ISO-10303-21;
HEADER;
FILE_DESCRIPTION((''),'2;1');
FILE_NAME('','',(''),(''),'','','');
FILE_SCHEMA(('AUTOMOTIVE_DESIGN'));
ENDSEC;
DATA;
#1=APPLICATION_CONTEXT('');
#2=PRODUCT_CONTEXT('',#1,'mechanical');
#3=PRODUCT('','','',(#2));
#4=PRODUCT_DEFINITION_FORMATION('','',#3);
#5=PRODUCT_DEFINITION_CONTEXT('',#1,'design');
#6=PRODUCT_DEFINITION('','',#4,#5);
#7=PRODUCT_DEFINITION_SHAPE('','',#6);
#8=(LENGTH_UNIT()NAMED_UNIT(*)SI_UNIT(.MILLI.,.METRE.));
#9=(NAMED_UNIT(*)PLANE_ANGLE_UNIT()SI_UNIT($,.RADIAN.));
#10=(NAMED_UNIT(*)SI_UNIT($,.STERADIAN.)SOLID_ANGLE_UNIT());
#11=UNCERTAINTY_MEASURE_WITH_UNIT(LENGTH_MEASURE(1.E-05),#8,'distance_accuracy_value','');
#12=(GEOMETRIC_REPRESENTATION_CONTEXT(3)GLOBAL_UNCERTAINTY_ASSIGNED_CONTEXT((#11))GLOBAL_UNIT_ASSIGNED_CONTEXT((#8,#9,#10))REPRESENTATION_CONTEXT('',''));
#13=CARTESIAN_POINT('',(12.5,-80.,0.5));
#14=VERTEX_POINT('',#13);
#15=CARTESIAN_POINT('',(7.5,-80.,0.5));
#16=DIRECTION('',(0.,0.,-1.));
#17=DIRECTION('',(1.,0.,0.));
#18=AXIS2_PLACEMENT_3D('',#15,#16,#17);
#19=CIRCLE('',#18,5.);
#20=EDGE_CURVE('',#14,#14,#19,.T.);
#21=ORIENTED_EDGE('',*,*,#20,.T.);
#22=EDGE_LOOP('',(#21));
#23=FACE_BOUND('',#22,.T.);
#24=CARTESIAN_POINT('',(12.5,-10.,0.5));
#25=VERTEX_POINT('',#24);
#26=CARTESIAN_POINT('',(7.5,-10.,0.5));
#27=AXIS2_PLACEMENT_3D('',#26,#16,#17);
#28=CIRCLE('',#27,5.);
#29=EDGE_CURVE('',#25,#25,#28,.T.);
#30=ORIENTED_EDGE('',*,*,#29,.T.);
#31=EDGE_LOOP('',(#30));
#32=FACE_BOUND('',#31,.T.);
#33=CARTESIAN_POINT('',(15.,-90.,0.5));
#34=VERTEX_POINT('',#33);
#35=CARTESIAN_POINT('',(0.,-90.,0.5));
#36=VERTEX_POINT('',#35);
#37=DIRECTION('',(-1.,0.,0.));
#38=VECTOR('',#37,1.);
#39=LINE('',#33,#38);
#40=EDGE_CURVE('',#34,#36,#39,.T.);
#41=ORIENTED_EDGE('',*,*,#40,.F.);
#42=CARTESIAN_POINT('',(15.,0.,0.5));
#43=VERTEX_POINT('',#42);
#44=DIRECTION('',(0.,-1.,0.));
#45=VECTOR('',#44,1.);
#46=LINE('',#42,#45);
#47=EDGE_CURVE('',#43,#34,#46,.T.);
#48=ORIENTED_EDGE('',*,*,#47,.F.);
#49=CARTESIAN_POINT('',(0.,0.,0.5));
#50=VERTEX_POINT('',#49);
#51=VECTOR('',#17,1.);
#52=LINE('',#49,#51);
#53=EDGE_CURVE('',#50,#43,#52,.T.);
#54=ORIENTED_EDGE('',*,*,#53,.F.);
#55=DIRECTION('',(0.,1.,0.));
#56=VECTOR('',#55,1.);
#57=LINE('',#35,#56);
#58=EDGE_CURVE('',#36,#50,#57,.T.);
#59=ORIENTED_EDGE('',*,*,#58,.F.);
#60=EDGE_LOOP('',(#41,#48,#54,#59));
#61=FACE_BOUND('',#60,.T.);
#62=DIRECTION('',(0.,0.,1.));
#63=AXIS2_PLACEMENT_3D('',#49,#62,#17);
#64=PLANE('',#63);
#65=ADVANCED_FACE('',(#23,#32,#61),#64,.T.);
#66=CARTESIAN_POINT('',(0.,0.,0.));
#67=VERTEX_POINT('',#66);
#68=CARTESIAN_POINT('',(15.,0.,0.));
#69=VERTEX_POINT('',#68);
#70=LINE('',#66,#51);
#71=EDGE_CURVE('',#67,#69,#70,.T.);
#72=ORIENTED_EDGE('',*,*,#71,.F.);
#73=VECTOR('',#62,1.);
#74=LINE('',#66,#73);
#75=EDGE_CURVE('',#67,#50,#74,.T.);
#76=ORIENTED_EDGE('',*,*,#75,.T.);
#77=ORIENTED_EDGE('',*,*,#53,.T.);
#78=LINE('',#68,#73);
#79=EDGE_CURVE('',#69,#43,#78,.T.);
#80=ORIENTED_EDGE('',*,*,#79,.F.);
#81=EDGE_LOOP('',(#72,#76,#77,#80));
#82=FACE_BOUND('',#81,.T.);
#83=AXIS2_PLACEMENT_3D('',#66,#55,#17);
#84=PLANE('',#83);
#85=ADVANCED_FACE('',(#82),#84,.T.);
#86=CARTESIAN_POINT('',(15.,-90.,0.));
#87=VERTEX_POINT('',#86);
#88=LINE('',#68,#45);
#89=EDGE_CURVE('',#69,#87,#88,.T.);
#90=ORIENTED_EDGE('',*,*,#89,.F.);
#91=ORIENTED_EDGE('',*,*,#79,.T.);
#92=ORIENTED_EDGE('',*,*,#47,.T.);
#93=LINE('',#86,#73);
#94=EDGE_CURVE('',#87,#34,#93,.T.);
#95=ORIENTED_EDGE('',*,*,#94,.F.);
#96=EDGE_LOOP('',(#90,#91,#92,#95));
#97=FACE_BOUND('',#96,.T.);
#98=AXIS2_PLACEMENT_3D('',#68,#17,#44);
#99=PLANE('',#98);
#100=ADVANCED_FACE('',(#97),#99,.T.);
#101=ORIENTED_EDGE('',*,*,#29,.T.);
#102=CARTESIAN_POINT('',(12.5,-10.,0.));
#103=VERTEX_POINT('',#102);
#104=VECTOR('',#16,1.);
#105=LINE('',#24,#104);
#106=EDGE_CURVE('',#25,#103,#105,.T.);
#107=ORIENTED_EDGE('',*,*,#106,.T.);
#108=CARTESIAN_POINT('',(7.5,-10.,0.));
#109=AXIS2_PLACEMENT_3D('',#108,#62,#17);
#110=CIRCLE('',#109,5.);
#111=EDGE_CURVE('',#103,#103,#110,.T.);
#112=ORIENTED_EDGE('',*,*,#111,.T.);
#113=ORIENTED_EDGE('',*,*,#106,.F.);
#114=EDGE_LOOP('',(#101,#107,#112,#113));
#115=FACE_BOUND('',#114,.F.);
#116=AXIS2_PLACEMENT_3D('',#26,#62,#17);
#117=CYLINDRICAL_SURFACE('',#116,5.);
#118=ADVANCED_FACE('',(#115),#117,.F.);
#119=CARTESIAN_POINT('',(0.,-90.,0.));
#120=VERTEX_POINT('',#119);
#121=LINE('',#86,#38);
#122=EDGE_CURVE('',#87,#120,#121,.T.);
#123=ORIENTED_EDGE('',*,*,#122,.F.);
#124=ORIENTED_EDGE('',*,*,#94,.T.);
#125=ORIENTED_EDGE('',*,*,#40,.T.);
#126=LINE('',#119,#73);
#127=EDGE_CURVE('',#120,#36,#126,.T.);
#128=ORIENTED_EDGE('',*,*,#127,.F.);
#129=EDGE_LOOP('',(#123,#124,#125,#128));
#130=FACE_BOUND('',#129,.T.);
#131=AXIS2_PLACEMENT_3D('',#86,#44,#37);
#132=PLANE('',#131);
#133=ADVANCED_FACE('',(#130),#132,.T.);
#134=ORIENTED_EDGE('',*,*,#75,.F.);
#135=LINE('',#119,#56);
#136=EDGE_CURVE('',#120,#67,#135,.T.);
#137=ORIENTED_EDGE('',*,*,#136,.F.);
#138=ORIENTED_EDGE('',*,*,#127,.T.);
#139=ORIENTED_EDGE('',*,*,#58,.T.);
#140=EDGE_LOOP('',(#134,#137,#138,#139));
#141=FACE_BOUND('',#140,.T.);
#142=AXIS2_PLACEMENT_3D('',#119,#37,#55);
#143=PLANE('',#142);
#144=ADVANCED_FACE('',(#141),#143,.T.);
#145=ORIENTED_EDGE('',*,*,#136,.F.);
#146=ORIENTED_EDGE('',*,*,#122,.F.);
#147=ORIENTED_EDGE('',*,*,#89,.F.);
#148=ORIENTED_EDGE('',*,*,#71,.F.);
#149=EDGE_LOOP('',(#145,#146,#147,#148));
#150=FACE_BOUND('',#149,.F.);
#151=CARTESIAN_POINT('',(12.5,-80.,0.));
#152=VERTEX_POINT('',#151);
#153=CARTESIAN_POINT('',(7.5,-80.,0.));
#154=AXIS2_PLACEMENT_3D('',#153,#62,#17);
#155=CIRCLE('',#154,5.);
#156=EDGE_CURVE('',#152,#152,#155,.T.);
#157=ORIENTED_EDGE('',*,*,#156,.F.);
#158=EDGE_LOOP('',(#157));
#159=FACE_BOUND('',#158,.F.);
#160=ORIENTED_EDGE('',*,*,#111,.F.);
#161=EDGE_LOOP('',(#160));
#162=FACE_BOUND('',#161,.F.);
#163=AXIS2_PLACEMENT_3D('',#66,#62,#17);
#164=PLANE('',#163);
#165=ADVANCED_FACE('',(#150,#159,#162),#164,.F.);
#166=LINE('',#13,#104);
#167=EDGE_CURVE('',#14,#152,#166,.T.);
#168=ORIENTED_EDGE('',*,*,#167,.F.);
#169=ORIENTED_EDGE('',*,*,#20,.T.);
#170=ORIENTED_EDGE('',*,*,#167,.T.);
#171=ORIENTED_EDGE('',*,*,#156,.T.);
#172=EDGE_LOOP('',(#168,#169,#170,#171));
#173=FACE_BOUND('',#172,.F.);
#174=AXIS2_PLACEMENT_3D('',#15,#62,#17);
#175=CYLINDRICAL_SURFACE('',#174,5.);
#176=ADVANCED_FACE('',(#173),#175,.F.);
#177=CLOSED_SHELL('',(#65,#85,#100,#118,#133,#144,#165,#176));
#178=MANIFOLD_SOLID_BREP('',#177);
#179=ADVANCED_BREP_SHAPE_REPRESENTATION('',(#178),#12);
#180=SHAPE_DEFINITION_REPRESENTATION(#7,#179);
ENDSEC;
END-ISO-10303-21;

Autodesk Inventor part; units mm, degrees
ref_plane "YZ Plane" through (0, 0, 0) normal (1, 0, 0) x (0, 1, 0)
ref_plane "XZ Plane" through (0, 0, 0) normal (0, 1, 0) x (-1, 0, 0)
ref_plane "XY Plane" through (0, 0, 0) normal (0, 0, 1) x (1, 0, 0)
sketch "Sketch1" plane through (0, 0, 0) normal (0, 0, 1) x (1, 0, 0)
  line L0 (0, 0) -> (15, 0)
  line L1 (15, 0) -> (15, -90)
  line L2 (15, -90) -> (0, -90)
  line L3 (0, -90) -> (0, 0)
  dimension "d0" = 15
  dimension "d1" = 90
extrude "Plate1" add sketch "Sketch1" along normal blind 0.5
sketch "Sketch2" plane through (0, 0, 0.5) normal (0, 0, 1) x (1, 0, 0)
  line L0 (0, 0) -> (15, 0) projected
  line L1 (7.5, 0) -> (7.5, -10)
  circle A0 centre (7.5, -10) radius 5
  line L2 (15, -90) -> (0, -90) projected
  line L3 (7.5, -90) -> (7.5, -80)
  circle A1 centre (7.5, -80) radius 5
  dimension "d3" = 10
  dimension "d4" = 10
  dimension "d5" = 10
  dimension "d6" = 10
extrude "Extrusion1" cut sketch "Sketch2" against normal blind 10
equation "\"d2\" = Thickness"
equation "\"BendRadius\" = Thickness"
equation "\"BendReliefWidth\" = Thickness"
equation "\"BendReliefDepth\" = 0.5 * Thickness"
equation "\"CornerReliefSize\" = 4 * Thickness"
equation "\"MinimumRemnant\" = 2 * Thickness"
equation "\"TransitionRadius\" = BendRadius"
equation "\"JacobiRadiusSize\" = BendRadius"
equation "\"GapSize\" = Thickness"
equation "\"Thickness\" = 0.5"
properties part number "shaft for capping system"
